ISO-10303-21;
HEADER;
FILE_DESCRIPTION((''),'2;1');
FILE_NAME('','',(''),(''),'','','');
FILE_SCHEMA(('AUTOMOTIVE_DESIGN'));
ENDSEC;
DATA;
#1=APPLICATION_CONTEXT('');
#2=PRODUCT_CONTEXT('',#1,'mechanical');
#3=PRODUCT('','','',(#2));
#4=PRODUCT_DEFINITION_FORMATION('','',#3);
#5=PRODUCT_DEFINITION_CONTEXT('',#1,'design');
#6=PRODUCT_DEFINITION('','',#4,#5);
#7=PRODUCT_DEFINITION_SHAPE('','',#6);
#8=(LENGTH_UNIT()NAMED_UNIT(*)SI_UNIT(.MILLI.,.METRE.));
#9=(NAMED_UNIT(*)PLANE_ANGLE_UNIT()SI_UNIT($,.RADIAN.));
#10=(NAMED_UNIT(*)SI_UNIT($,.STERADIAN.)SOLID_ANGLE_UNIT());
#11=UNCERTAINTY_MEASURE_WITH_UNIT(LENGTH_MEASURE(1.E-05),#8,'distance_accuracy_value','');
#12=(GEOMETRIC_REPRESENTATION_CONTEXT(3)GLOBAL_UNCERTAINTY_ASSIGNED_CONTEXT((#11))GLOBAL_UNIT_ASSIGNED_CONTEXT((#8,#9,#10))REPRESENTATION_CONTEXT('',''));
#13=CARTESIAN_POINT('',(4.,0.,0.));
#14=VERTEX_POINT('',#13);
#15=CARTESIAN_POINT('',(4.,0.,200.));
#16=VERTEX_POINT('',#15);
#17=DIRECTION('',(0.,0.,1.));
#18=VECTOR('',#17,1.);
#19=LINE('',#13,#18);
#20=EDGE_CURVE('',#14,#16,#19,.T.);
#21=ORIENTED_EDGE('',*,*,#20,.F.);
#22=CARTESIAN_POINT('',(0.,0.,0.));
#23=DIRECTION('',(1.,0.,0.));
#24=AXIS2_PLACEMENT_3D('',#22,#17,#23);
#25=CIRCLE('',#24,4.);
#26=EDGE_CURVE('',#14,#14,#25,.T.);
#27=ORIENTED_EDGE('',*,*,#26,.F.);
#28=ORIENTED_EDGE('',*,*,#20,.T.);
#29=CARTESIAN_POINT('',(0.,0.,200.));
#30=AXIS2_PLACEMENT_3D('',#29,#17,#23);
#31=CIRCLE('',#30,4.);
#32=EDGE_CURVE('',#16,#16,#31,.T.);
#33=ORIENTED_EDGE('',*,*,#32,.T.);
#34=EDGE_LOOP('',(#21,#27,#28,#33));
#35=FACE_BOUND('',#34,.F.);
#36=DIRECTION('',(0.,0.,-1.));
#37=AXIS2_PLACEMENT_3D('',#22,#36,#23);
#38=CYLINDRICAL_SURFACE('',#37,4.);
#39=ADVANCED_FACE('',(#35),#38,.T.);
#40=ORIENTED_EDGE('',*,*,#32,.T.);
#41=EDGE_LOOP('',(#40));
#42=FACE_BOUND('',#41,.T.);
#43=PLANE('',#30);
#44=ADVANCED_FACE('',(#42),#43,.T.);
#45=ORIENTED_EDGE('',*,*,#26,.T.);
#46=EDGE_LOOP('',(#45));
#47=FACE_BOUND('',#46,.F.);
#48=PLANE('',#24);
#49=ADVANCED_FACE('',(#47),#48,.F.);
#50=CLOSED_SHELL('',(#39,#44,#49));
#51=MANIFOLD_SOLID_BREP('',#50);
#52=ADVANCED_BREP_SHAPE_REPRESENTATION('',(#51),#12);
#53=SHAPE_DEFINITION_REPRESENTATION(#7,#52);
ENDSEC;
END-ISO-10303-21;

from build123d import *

# Parameters (mm, degrees)
SKETCH_1_R      = 4
EXTRUDE_1_DEPTH = 200


with BuildPart() as part:
    # Эскиз1 → Бобышка-Вытянуть1 (new body)
    with BuildSketch(Plane.XY):
        Circle(SKETCH_1_R)
    extrude(amount=EXTRUDE_1_DEPTH)


solid = part.part
